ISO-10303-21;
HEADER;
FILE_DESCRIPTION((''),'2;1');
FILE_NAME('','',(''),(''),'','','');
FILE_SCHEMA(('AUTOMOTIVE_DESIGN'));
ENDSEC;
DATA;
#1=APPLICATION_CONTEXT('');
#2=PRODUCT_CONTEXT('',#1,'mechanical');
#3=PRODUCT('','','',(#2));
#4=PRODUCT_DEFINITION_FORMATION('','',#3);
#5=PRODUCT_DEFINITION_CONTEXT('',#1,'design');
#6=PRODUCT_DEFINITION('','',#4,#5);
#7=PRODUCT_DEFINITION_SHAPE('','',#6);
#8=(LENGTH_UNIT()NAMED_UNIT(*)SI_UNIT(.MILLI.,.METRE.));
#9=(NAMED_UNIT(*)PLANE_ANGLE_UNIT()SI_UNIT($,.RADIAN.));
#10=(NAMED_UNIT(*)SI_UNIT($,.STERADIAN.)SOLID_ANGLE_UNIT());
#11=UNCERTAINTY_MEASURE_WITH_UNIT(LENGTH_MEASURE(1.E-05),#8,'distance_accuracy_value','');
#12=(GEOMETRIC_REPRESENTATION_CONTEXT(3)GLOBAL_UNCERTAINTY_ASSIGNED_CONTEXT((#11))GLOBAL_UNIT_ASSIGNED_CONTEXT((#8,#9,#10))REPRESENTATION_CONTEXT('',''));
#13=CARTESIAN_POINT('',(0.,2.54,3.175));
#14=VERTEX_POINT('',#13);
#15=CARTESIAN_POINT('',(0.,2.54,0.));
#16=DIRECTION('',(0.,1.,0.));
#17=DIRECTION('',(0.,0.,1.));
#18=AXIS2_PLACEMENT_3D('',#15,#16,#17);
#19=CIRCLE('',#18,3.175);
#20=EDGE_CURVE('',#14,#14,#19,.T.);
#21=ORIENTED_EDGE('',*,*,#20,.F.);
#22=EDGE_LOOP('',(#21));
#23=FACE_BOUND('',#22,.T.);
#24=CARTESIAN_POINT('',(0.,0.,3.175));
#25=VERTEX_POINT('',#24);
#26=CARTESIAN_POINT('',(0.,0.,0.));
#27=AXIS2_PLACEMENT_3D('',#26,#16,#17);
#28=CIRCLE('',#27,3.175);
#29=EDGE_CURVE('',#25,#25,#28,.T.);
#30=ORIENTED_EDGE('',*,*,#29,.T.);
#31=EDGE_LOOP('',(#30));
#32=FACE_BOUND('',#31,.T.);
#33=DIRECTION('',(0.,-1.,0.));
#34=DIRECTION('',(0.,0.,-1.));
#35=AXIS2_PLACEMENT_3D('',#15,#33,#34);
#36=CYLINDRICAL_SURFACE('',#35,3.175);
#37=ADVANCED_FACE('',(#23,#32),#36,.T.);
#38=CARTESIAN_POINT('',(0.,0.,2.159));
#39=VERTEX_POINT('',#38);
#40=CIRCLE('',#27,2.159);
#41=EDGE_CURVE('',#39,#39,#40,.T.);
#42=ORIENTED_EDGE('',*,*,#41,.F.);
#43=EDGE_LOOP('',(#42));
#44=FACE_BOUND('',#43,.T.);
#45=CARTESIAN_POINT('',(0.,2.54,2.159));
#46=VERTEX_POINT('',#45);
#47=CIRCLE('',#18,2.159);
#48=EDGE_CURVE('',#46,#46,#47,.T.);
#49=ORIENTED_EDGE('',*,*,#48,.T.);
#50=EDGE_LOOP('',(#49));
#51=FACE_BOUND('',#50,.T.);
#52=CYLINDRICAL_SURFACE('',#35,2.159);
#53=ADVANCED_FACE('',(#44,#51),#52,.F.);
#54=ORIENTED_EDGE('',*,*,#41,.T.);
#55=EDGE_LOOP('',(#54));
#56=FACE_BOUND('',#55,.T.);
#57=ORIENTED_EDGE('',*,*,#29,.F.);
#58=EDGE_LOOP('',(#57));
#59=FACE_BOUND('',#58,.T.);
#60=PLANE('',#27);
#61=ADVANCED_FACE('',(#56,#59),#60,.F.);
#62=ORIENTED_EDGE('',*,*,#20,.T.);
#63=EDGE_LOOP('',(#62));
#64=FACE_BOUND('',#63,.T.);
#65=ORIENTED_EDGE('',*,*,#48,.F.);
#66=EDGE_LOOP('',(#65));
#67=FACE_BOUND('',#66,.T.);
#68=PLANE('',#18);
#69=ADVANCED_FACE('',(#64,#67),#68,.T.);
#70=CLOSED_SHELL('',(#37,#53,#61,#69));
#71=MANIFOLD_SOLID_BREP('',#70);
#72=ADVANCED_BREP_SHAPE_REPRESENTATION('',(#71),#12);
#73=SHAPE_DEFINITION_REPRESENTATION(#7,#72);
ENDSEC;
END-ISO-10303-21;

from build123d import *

# Parameters (mm, degrees)
SKETCH1_R           = 3.175
SKETCH1_R_2         = 2.159
BOSS_EXTRUDE1_DEPTH = 2.54


with BuildPart() as part:
    # Sketch1 → Boss-Extrude1 (new body)
    with BuildSketch(Plane(origin=(0, 0, 0), x_dir=(1, 0, 0), z_dir=(0, 1, 0))):
        Circle(SKETCH1_R)
        Circle(SKETCH1_R_2, mode=Mode.SUBTRACT)
    extrude(amount=BOSS_EXTRUDE1_DEPTH)


solid = part.part
